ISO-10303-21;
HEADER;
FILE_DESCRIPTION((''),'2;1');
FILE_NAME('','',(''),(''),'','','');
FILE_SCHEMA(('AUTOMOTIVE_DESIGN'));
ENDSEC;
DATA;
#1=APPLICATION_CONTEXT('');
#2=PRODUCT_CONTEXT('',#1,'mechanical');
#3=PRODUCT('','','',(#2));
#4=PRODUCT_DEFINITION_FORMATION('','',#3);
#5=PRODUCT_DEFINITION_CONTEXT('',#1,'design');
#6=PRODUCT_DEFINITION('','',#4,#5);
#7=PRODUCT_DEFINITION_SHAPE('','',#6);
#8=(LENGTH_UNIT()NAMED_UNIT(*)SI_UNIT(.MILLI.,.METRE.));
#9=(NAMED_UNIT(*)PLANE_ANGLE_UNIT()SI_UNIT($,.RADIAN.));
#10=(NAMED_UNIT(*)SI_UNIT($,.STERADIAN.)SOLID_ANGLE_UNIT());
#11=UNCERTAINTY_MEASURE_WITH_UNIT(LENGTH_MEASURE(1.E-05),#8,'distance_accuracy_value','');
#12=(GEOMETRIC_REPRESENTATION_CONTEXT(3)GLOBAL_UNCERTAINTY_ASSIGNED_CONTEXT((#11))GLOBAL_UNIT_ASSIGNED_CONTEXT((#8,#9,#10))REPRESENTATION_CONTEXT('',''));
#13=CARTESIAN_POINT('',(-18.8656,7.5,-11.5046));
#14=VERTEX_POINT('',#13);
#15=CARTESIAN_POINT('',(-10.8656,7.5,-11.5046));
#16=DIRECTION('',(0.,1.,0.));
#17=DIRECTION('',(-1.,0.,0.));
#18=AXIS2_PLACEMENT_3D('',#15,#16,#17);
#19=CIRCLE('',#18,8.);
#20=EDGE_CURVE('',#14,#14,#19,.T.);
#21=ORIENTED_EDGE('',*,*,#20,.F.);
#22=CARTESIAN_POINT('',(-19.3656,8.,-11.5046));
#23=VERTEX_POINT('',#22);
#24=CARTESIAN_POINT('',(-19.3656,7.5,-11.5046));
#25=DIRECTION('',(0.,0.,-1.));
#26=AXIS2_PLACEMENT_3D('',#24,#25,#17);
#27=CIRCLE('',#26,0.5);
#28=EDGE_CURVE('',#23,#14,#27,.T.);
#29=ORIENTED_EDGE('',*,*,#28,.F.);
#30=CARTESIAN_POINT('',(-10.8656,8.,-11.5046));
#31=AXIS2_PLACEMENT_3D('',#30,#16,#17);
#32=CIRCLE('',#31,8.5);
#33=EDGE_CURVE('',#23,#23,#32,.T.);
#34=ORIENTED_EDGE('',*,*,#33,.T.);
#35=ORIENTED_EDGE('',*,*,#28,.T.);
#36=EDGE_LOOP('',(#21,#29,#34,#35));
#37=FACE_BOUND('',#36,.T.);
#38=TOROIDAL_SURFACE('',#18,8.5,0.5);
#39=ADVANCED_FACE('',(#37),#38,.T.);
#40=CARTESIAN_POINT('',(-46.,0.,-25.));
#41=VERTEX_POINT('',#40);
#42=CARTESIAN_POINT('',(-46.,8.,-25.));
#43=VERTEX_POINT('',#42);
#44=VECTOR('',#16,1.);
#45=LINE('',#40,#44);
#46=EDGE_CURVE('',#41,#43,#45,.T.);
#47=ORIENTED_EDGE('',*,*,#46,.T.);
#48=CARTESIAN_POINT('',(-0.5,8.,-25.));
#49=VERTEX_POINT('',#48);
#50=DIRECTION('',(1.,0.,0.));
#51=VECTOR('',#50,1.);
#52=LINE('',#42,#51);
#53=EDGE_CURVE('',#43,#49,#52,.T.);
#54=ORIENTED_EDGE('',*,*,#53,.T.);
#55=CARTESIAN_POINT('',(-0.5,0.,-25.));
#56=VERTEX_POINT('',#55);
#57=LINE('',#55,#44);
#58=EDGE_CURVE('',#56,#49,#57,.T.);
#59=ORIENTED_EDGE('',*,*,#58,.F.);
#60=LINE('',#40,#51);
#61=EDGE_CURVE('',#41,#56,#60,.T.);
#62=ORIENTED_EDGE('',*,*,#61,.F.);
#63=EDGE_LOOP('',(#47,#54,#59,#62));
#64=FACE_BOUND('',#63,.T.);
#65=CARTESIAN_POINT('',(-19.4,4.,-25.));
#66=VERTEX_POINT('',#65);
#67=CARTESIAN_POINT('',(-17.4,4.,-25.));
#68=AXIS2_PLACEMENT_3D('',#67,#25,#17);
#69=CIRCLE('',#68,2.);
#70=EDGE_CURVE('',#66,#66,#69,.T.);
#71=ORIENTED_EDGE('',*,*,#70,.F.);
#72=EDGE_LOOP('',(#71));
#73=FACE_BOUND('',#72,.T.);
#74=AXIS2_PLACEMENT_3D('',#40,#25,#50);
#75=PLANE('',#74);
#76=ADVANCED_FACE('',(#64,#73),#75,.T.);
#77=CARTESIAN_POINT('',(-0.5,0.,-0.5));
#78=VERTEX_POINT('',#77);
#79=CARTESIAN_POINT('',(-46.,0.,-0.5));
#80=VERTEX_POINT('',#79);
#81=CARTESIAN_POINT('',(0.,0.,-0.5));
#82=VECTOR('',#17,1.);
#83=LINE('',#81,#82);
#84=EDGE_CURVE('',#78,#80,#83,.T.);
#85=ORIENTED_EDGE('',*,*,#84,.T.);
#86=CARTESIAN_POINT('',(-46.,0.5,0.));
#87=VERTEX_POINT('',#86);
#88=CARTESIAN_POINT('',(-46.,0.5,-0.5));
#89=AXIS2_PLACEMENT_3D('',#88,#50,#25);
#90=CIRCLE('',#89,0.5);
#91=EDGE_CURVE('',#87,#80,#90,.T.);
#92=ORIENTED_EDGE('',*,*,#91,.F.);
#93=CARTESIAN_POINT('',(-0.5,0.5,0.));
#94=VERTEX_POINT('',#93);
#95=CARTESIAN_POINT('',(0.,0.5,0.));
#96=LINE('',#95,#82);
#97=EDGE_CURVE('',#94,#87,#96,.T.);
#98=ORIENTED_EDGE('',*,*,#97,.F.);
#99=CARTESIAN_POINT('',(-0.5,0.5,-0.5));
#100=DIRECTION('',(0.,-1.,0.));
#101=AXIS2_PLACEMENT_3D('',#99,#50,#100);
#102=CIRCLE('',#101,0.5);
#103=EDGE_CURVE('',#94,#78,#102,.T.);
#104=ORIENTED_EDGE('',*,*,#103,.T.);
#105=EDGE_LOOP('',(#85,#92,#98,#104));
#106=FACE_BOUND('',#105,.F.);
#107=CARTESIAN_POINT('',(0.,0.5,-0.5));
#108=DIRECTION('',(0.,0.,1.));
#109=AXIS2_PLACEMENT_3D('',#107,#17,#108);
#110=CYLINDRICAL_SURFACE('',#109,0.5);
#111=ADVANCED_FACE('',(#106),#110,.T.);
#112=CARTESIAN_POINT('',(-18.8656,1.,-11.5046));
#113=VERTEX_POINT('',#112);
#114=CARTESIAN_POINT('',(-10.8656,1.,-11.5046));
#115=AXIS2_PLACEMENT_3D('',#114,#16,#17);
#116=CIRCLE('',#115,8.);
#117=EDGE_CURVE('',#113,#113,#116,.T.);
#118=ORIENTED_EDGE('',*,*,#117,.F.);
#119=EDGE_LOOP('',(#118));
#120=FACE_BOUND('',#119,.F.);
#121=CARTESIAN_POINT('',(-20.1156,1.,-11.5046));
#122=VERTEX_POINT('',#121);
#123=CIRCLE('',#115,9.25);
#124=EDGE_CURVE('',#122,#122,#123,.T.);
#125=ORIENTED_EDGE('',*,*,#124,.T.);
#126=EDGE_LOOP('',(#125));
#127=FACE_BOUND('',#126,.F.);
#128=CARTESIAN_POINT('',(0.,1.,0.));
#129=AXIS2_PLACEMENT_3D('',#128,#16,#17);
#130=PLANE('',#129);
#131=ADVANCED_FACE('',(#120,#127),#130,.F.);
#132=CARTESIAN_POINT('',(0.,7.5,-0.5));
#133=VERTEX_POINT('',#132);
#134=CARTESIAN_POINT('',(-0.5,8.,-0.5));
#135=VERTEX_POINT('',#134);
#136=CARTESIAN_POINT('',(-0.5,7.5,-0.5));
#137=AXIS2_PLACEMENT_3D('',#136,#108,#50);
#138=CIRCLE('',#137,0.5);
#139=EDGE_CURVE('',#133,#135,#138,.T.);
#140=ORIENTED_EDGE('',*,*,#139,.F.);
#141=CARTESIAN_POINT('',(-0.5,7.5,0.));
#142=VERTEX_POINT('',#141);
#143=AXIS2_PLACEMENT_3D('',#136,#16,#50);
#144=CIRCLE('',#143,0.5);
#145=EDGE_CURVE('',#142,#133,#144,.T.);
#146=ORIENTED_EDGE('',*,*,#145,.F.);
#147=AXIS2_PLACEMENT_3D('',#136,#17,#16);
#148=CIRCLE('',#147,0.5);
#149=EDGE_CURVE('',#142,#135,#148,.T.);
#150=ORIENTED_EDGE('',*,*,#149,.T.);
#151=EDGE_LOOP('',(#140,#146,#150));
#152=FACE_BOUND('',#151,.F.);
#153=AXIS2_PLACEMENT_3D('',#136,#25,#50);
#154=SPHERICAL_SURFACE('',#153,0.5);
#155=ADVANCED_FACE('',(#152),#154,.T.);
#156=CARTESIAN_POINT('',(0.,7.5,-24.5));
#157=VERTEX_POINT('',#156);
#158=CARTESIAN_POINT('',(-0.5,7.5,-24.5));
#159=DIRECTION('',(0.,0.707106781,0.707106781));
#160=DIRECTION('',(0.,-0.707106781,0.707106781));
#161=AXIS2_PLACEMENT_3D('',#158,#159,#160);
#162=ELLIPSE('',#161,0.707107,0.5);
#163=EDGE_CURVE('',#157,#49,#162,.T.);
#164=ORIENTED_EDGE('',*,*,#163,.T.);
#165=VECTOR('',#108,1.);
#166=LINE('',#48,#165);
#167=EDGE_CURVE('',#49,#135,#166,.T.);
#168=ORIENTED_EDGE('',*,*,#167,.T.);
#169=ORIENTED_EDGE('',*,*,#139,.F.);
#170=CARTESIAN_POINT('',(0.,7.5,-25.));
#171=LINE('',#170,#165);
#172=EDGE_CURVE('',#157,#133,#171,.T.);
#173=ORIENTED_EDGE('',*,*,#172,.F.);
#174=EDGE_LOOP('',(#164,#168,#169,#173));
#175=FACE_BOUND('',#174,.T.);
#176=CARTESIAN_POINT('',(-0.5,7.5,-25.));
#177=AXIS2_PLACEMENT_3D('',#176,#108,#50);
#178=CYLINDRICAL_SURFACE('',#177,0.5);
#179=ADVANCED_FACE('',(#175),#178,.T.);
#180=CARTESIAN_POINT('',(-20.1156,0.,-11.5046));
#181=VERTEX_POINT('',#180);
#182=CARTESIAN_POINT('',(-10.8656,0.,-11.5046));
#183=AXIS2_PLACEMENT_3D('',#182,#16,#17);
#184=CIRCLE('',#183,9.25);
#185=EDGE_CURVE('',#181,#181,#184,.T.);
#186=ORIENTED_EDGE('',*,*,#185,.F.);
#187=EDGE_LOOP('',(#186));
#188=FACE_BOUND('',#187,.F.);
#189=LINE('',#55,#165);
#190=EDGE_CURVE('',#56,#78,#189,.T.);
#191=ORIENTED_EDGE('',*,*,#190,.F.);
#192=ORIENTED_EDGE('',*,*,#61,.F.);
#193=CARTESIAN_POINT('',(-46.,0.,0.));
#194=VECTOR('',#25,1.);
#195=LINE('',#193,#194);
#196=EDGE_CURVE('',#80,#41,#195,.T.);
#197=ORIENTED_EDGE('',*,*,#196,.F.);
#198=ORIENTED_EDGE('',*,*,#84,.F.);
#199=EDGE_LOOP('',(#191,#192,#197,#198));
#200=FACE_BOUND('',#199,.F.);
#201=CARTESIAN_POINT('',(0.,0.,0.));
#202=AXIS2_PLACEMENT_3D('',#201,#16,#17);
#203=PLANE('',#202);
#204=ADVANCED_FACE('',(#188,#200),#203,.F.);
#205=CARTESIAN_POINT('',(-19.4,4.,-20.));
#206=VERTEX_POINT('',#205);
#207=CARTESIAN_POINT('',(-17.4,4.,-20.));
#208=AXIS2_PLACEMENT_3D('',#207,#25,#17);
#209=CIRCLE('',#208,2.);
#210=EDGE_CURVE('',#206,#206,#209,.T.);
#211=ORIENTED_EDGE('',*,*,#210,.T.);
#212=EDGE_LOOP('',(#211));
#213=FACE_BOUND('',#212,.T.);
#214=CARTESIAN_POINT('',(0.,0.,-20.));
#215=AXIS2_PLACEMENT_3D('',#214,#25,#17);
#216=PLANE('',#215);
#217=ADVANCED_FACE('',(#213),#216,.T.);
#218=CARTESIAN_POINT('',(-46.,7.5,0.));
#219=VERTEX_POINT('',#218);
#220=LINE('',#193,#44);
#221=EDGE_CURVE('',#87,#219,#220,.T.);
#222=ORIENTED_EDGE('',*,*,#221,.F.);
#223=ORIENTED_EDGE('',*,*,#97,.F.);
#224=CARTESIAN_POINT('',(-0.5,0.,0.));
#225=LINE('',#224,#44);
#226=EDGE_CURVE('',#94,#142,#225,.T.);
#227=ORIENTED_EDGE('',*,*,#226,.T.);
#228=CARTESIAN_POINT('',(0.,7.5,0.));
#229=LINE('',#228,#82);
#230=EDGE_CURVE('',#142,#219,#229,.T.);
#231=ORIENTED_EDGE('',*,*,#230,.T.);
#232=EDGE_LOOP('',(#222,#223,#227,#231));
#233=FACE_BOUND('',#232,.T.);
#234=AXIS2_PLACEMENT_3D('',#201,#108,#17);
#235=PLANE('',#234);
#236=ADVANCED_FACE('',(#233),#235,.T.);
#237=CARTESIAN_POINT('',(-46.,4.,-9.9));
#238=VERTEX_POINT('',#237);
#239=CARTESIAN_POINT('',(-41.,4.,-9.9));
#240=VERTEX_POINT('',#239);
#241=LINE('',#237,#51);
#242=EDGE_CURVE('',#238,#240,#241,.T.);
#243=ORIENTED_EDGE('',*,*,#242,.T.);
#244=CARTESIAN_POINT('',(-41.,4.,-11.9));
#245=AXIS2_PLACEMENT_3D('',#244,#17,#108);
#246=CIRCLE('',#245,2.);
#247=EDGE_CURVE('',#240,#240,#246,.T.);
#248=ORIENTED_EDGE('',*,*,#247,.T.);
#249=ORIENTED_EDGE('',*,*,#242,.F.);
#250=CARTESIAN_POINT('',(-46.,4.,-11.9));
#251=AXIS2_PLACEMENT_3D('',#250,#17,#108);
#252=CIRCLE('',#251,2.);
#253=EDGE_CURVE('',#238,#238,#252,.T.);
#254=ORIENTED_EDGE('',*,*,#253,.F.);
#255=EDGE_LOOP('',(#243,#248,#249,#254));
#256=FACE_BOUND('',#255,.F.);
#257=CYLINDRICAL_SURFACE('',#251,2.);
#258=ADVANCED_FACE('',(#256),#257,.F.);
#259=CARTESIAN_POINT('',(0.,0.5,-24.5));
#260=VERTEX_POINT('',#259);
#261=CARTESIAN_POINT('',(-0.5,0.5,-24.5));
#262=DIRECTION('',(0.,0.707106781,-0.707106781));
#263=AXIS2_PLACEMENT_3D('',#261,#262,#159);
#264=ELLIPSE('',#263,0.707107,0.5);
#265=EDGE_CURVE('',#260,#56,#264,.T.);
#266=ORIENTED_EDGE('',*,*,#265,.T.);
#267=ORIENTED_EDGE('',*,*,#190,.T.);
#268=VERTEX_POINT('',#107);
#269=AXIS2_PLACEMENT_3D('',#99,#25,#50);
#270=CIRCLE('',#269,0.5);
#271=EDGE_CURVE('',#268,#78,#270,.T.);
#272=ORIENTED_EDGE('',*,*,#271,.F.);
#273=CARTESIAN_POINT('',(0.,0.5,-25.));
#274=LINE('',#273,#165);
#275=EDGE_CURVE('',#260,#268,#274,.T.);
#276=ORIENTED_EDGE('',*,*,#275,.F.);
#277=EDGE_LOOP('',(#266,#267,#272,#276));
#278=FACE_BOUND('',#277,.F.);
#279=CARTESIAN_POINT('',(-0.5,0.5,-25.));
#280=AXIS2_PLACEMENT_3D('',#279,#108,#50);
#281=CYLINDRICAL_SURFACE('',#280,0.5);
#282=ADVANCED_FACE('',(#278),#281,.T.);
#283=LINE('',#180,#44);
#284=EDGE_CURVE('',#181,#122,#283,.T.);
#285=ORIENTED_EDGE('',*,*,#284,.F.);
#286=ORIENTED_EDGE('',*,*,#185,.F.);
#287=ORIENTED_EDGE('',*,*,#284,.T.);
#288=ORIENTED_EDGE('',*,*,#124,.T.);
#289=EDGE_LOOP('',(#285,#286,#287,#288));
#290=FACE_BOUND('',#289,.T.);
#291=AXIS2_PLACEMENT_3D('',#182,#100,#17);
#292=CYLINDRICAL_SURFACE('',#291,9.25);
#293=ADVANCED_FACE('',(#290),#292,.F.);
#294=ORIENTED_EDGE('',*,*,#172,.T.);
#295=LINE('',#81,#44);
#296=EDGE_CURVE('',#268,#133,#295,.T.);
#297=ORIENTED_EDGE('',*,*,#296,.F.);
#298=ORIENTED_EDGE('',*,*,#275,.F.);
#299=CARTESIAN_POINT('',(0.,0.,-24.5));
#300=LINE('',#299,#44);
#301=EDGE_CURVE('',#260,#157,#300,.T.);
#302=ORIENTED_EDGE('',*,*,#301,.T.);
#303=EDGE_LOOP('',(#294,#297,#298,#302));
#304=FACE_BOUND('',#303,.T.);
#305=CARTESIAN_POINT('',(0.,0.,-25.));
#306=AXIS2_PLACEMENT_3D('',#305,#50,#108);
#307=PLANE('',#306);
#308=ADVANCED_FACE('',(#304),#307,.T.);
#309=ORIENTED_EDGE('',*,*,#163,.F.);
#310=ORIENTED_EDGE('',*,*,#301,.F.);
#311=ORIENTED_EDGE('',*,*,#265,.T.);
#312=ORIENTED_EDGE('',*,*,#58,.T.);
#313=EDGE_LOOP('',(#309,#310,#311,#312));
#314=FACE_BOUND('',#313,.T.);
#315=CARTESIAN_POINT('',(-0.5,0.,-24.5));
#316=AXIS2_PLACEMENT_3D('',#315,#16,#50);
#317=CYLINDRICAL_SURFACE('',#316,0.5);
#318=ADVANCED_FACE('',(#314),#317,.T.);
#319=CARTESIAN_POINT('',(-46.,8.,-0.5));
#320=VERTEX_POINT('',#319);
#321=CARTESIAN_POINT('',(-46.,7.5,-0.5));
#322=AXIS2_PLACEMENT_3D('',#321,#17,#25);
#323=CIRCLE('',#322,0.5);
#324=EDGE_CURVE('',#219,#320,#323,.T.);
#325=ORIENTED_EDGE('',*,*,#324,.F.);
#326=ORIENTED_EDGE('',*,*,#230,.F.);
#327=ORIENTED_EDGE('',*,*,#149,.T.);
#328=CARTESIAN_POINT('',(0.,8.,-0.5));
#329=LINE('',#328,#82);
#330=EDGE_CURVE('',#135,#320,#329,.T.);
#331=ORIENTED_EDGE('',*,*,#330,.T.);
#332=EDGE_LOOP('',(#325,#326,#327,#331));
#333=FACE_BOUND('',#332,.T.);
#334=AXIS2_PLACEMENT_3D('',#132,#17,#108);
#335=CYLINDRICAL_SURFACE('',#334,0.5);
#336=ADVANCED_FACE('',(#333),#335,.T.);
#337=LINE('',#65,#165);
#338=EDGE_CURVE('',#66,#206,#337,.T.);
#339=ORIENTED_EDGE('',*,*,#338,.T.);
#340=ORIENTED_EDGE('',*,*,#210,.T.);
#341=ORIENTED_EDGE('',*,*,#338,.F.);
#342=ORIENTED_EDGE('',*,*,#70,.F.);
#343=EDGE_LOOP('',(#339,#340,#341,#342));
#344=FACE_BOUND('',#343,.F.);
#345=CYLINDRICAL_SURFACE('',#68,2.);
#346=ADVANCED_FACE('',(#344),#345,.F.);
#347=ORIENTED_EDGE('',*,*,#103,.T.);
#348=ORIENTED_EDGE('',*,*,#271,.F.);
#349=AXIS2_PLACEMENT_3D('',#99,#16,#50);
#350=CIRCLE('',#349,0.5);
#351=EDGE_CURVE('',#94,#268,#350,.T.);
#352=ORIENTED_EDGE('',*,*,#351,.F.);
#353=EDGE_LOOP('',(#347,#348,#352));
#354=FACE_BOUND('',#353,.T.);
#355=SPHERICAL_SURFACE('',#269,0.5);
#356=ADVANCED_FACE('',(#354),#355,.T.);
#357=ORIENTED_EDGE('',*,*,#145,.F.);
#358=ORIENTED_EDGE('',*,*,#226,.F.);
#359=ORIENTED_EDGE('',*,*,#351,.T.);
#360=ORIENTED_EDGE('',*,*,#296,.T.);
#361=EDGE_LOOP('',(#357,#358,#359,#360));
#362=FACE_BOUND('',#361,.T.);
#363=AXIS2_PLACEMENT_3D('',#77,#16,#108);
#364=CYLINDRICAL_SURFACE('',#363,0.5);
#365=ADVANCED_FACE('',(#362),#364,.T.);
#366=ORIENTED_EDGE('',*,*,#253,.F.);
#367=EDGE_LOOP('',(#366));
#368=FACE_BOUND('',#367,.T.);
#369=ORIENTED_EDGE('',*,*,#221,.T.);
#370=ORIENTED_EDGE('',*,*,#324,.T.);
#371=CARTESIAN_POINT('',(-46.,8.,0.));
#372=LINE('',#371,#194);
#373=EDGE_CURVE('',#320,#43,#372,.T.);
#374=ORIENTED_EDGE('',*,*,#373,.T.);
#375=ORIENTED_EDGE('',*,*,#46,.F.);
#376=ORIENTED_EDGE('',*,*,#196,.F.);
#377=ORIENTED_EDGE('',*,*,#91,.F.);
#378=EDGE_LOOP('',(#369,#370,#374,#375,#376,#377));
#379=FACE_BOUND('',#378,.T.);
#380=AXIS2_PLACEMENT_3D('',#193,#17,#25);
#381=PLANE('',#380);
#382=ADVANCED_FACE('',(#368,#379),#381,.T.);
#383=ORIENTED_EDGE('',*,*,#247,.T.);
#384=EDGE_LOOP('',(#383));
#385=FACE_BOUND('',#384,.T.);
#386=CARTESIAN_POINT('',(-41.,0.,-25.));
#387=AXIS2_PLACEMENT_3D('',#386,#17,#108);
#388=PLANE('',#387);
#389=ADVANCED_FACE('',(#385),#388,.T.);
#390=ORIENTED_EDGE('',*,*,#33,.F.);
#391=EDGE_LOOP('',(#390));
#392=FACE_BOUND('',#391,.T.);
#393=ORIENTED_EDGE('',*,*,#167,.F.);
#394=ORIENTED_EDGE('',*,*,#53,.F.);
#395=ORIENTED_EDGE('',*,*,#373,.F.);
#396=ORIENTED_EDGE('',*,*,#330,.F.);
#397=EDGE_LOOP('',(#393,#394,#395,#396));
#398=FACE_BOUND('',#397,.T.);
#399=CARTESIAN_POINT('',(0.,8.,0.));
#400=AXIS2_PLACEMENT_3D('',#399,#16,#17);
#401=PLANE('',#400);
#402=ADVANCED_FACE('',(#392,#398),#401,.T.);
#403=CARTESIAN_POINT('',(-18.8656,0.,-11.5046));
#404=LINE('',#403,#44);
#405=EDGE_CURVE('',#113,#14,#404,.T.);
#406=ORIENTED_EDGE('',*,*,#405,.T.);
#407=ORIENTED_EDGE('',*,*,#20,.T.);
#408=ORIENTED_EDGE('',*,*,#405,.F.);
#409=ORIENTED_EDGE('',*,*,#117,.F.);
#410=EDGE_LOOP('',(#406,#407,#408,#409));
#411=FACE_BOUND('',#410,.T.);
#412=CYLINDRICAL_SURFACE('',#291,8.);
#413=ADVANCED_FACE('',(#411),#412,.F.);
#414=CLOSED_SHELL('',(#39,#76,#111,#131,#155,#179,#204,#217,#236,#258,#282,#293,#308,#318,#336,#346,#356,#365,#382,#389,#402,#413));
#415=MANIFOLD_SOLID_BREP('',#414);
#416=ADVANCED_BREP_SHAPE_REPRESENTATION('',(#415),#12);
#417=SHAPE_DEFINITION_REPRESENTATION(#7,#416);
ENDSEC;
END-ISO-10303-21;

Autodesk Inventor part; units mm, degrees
ref_plane "YZ Plane" through (0, 0, 0) normal (1, 0, 0) x (0, 1, 0)
ref_plane "XZ Plane" through (0, 0, 0) normal (0, 1, 0) x (-1, 0, 0)
ref_plane "XY Plane" through (0, 0, 0) normal (0, 0, 1) x (1, 0, 0)
sketch "Эскиз1" plane through (0, 0, 0) normal (0, 1, 0) x (-1, 0, 0)
  line L0 (0, 0) -> (46, 0)
  line L1 (46, 0) -> (46, -25)
  line L2 (46, -25) -> (0, -25)
  line L3 (0, -25) -> (0, 0)
  circle A0 centre (10.8656, -11.5046) radius 8
  circle A1 centre (10.8656, -11.5046) radius 9.25
  dimension "d0" = 25
  dimension "d1" = 46
  dimension "d2" = 16
  dimension "d3" = 18.5
extrude "Выдавливание1" add sketch "Эскиз1" along normal blind 8 contours L0 L1 L2 L3 | A1
extrude "Выдавливание2" cut sketch "Эскиз1" along normal blind 1 contours A1
sketch "Эскиз2" plane through (-46, 0, -25) normal (-1, 0, 0) x (0, 0, 1)
  line L0 (0, 0) -> (0, 8) projected
  line L1 (0, 4) -> (25, 4) construction
  line L2 (25, 0) -> (25, 8) projected
  circle A0 centre (13.1, 4) radius 2
  dimension "d8" = 4
  dimension "d15" = 13.1
sketch "Эскиз3" plane through (0, 0, -25) normal (0, 0, -1) x (-1, 0, 0)
  line L0 (46, 0) -> (46, 8) projected
  line L1 (46, 4) -> (17.4, 4)
  circle A0 centre (17.4, 4) radius 2
  point P0 (0, 0)
  dimension "d9" = 4
  dimension "d14" = 28.6
extrude "Выдавливание3" cut sketch "Эскиз3" against normal blind 5
extrude "Выдавливание4" cut sketch "Эскиз2" against normal blind 5
fillet "Сопряжение1" radius 0.5 6 edges at (0, 0, -12.5) (0, 8, -12.5) (0, 4, 0) (0, 4, -25) (-23, 8, 0) (-23, 0, 0)
fillet "Сопряжение2" radius 0.5 1 edges at (-2.8656, 8, -11.5046)
properties part number "держатель шкивов 2"
